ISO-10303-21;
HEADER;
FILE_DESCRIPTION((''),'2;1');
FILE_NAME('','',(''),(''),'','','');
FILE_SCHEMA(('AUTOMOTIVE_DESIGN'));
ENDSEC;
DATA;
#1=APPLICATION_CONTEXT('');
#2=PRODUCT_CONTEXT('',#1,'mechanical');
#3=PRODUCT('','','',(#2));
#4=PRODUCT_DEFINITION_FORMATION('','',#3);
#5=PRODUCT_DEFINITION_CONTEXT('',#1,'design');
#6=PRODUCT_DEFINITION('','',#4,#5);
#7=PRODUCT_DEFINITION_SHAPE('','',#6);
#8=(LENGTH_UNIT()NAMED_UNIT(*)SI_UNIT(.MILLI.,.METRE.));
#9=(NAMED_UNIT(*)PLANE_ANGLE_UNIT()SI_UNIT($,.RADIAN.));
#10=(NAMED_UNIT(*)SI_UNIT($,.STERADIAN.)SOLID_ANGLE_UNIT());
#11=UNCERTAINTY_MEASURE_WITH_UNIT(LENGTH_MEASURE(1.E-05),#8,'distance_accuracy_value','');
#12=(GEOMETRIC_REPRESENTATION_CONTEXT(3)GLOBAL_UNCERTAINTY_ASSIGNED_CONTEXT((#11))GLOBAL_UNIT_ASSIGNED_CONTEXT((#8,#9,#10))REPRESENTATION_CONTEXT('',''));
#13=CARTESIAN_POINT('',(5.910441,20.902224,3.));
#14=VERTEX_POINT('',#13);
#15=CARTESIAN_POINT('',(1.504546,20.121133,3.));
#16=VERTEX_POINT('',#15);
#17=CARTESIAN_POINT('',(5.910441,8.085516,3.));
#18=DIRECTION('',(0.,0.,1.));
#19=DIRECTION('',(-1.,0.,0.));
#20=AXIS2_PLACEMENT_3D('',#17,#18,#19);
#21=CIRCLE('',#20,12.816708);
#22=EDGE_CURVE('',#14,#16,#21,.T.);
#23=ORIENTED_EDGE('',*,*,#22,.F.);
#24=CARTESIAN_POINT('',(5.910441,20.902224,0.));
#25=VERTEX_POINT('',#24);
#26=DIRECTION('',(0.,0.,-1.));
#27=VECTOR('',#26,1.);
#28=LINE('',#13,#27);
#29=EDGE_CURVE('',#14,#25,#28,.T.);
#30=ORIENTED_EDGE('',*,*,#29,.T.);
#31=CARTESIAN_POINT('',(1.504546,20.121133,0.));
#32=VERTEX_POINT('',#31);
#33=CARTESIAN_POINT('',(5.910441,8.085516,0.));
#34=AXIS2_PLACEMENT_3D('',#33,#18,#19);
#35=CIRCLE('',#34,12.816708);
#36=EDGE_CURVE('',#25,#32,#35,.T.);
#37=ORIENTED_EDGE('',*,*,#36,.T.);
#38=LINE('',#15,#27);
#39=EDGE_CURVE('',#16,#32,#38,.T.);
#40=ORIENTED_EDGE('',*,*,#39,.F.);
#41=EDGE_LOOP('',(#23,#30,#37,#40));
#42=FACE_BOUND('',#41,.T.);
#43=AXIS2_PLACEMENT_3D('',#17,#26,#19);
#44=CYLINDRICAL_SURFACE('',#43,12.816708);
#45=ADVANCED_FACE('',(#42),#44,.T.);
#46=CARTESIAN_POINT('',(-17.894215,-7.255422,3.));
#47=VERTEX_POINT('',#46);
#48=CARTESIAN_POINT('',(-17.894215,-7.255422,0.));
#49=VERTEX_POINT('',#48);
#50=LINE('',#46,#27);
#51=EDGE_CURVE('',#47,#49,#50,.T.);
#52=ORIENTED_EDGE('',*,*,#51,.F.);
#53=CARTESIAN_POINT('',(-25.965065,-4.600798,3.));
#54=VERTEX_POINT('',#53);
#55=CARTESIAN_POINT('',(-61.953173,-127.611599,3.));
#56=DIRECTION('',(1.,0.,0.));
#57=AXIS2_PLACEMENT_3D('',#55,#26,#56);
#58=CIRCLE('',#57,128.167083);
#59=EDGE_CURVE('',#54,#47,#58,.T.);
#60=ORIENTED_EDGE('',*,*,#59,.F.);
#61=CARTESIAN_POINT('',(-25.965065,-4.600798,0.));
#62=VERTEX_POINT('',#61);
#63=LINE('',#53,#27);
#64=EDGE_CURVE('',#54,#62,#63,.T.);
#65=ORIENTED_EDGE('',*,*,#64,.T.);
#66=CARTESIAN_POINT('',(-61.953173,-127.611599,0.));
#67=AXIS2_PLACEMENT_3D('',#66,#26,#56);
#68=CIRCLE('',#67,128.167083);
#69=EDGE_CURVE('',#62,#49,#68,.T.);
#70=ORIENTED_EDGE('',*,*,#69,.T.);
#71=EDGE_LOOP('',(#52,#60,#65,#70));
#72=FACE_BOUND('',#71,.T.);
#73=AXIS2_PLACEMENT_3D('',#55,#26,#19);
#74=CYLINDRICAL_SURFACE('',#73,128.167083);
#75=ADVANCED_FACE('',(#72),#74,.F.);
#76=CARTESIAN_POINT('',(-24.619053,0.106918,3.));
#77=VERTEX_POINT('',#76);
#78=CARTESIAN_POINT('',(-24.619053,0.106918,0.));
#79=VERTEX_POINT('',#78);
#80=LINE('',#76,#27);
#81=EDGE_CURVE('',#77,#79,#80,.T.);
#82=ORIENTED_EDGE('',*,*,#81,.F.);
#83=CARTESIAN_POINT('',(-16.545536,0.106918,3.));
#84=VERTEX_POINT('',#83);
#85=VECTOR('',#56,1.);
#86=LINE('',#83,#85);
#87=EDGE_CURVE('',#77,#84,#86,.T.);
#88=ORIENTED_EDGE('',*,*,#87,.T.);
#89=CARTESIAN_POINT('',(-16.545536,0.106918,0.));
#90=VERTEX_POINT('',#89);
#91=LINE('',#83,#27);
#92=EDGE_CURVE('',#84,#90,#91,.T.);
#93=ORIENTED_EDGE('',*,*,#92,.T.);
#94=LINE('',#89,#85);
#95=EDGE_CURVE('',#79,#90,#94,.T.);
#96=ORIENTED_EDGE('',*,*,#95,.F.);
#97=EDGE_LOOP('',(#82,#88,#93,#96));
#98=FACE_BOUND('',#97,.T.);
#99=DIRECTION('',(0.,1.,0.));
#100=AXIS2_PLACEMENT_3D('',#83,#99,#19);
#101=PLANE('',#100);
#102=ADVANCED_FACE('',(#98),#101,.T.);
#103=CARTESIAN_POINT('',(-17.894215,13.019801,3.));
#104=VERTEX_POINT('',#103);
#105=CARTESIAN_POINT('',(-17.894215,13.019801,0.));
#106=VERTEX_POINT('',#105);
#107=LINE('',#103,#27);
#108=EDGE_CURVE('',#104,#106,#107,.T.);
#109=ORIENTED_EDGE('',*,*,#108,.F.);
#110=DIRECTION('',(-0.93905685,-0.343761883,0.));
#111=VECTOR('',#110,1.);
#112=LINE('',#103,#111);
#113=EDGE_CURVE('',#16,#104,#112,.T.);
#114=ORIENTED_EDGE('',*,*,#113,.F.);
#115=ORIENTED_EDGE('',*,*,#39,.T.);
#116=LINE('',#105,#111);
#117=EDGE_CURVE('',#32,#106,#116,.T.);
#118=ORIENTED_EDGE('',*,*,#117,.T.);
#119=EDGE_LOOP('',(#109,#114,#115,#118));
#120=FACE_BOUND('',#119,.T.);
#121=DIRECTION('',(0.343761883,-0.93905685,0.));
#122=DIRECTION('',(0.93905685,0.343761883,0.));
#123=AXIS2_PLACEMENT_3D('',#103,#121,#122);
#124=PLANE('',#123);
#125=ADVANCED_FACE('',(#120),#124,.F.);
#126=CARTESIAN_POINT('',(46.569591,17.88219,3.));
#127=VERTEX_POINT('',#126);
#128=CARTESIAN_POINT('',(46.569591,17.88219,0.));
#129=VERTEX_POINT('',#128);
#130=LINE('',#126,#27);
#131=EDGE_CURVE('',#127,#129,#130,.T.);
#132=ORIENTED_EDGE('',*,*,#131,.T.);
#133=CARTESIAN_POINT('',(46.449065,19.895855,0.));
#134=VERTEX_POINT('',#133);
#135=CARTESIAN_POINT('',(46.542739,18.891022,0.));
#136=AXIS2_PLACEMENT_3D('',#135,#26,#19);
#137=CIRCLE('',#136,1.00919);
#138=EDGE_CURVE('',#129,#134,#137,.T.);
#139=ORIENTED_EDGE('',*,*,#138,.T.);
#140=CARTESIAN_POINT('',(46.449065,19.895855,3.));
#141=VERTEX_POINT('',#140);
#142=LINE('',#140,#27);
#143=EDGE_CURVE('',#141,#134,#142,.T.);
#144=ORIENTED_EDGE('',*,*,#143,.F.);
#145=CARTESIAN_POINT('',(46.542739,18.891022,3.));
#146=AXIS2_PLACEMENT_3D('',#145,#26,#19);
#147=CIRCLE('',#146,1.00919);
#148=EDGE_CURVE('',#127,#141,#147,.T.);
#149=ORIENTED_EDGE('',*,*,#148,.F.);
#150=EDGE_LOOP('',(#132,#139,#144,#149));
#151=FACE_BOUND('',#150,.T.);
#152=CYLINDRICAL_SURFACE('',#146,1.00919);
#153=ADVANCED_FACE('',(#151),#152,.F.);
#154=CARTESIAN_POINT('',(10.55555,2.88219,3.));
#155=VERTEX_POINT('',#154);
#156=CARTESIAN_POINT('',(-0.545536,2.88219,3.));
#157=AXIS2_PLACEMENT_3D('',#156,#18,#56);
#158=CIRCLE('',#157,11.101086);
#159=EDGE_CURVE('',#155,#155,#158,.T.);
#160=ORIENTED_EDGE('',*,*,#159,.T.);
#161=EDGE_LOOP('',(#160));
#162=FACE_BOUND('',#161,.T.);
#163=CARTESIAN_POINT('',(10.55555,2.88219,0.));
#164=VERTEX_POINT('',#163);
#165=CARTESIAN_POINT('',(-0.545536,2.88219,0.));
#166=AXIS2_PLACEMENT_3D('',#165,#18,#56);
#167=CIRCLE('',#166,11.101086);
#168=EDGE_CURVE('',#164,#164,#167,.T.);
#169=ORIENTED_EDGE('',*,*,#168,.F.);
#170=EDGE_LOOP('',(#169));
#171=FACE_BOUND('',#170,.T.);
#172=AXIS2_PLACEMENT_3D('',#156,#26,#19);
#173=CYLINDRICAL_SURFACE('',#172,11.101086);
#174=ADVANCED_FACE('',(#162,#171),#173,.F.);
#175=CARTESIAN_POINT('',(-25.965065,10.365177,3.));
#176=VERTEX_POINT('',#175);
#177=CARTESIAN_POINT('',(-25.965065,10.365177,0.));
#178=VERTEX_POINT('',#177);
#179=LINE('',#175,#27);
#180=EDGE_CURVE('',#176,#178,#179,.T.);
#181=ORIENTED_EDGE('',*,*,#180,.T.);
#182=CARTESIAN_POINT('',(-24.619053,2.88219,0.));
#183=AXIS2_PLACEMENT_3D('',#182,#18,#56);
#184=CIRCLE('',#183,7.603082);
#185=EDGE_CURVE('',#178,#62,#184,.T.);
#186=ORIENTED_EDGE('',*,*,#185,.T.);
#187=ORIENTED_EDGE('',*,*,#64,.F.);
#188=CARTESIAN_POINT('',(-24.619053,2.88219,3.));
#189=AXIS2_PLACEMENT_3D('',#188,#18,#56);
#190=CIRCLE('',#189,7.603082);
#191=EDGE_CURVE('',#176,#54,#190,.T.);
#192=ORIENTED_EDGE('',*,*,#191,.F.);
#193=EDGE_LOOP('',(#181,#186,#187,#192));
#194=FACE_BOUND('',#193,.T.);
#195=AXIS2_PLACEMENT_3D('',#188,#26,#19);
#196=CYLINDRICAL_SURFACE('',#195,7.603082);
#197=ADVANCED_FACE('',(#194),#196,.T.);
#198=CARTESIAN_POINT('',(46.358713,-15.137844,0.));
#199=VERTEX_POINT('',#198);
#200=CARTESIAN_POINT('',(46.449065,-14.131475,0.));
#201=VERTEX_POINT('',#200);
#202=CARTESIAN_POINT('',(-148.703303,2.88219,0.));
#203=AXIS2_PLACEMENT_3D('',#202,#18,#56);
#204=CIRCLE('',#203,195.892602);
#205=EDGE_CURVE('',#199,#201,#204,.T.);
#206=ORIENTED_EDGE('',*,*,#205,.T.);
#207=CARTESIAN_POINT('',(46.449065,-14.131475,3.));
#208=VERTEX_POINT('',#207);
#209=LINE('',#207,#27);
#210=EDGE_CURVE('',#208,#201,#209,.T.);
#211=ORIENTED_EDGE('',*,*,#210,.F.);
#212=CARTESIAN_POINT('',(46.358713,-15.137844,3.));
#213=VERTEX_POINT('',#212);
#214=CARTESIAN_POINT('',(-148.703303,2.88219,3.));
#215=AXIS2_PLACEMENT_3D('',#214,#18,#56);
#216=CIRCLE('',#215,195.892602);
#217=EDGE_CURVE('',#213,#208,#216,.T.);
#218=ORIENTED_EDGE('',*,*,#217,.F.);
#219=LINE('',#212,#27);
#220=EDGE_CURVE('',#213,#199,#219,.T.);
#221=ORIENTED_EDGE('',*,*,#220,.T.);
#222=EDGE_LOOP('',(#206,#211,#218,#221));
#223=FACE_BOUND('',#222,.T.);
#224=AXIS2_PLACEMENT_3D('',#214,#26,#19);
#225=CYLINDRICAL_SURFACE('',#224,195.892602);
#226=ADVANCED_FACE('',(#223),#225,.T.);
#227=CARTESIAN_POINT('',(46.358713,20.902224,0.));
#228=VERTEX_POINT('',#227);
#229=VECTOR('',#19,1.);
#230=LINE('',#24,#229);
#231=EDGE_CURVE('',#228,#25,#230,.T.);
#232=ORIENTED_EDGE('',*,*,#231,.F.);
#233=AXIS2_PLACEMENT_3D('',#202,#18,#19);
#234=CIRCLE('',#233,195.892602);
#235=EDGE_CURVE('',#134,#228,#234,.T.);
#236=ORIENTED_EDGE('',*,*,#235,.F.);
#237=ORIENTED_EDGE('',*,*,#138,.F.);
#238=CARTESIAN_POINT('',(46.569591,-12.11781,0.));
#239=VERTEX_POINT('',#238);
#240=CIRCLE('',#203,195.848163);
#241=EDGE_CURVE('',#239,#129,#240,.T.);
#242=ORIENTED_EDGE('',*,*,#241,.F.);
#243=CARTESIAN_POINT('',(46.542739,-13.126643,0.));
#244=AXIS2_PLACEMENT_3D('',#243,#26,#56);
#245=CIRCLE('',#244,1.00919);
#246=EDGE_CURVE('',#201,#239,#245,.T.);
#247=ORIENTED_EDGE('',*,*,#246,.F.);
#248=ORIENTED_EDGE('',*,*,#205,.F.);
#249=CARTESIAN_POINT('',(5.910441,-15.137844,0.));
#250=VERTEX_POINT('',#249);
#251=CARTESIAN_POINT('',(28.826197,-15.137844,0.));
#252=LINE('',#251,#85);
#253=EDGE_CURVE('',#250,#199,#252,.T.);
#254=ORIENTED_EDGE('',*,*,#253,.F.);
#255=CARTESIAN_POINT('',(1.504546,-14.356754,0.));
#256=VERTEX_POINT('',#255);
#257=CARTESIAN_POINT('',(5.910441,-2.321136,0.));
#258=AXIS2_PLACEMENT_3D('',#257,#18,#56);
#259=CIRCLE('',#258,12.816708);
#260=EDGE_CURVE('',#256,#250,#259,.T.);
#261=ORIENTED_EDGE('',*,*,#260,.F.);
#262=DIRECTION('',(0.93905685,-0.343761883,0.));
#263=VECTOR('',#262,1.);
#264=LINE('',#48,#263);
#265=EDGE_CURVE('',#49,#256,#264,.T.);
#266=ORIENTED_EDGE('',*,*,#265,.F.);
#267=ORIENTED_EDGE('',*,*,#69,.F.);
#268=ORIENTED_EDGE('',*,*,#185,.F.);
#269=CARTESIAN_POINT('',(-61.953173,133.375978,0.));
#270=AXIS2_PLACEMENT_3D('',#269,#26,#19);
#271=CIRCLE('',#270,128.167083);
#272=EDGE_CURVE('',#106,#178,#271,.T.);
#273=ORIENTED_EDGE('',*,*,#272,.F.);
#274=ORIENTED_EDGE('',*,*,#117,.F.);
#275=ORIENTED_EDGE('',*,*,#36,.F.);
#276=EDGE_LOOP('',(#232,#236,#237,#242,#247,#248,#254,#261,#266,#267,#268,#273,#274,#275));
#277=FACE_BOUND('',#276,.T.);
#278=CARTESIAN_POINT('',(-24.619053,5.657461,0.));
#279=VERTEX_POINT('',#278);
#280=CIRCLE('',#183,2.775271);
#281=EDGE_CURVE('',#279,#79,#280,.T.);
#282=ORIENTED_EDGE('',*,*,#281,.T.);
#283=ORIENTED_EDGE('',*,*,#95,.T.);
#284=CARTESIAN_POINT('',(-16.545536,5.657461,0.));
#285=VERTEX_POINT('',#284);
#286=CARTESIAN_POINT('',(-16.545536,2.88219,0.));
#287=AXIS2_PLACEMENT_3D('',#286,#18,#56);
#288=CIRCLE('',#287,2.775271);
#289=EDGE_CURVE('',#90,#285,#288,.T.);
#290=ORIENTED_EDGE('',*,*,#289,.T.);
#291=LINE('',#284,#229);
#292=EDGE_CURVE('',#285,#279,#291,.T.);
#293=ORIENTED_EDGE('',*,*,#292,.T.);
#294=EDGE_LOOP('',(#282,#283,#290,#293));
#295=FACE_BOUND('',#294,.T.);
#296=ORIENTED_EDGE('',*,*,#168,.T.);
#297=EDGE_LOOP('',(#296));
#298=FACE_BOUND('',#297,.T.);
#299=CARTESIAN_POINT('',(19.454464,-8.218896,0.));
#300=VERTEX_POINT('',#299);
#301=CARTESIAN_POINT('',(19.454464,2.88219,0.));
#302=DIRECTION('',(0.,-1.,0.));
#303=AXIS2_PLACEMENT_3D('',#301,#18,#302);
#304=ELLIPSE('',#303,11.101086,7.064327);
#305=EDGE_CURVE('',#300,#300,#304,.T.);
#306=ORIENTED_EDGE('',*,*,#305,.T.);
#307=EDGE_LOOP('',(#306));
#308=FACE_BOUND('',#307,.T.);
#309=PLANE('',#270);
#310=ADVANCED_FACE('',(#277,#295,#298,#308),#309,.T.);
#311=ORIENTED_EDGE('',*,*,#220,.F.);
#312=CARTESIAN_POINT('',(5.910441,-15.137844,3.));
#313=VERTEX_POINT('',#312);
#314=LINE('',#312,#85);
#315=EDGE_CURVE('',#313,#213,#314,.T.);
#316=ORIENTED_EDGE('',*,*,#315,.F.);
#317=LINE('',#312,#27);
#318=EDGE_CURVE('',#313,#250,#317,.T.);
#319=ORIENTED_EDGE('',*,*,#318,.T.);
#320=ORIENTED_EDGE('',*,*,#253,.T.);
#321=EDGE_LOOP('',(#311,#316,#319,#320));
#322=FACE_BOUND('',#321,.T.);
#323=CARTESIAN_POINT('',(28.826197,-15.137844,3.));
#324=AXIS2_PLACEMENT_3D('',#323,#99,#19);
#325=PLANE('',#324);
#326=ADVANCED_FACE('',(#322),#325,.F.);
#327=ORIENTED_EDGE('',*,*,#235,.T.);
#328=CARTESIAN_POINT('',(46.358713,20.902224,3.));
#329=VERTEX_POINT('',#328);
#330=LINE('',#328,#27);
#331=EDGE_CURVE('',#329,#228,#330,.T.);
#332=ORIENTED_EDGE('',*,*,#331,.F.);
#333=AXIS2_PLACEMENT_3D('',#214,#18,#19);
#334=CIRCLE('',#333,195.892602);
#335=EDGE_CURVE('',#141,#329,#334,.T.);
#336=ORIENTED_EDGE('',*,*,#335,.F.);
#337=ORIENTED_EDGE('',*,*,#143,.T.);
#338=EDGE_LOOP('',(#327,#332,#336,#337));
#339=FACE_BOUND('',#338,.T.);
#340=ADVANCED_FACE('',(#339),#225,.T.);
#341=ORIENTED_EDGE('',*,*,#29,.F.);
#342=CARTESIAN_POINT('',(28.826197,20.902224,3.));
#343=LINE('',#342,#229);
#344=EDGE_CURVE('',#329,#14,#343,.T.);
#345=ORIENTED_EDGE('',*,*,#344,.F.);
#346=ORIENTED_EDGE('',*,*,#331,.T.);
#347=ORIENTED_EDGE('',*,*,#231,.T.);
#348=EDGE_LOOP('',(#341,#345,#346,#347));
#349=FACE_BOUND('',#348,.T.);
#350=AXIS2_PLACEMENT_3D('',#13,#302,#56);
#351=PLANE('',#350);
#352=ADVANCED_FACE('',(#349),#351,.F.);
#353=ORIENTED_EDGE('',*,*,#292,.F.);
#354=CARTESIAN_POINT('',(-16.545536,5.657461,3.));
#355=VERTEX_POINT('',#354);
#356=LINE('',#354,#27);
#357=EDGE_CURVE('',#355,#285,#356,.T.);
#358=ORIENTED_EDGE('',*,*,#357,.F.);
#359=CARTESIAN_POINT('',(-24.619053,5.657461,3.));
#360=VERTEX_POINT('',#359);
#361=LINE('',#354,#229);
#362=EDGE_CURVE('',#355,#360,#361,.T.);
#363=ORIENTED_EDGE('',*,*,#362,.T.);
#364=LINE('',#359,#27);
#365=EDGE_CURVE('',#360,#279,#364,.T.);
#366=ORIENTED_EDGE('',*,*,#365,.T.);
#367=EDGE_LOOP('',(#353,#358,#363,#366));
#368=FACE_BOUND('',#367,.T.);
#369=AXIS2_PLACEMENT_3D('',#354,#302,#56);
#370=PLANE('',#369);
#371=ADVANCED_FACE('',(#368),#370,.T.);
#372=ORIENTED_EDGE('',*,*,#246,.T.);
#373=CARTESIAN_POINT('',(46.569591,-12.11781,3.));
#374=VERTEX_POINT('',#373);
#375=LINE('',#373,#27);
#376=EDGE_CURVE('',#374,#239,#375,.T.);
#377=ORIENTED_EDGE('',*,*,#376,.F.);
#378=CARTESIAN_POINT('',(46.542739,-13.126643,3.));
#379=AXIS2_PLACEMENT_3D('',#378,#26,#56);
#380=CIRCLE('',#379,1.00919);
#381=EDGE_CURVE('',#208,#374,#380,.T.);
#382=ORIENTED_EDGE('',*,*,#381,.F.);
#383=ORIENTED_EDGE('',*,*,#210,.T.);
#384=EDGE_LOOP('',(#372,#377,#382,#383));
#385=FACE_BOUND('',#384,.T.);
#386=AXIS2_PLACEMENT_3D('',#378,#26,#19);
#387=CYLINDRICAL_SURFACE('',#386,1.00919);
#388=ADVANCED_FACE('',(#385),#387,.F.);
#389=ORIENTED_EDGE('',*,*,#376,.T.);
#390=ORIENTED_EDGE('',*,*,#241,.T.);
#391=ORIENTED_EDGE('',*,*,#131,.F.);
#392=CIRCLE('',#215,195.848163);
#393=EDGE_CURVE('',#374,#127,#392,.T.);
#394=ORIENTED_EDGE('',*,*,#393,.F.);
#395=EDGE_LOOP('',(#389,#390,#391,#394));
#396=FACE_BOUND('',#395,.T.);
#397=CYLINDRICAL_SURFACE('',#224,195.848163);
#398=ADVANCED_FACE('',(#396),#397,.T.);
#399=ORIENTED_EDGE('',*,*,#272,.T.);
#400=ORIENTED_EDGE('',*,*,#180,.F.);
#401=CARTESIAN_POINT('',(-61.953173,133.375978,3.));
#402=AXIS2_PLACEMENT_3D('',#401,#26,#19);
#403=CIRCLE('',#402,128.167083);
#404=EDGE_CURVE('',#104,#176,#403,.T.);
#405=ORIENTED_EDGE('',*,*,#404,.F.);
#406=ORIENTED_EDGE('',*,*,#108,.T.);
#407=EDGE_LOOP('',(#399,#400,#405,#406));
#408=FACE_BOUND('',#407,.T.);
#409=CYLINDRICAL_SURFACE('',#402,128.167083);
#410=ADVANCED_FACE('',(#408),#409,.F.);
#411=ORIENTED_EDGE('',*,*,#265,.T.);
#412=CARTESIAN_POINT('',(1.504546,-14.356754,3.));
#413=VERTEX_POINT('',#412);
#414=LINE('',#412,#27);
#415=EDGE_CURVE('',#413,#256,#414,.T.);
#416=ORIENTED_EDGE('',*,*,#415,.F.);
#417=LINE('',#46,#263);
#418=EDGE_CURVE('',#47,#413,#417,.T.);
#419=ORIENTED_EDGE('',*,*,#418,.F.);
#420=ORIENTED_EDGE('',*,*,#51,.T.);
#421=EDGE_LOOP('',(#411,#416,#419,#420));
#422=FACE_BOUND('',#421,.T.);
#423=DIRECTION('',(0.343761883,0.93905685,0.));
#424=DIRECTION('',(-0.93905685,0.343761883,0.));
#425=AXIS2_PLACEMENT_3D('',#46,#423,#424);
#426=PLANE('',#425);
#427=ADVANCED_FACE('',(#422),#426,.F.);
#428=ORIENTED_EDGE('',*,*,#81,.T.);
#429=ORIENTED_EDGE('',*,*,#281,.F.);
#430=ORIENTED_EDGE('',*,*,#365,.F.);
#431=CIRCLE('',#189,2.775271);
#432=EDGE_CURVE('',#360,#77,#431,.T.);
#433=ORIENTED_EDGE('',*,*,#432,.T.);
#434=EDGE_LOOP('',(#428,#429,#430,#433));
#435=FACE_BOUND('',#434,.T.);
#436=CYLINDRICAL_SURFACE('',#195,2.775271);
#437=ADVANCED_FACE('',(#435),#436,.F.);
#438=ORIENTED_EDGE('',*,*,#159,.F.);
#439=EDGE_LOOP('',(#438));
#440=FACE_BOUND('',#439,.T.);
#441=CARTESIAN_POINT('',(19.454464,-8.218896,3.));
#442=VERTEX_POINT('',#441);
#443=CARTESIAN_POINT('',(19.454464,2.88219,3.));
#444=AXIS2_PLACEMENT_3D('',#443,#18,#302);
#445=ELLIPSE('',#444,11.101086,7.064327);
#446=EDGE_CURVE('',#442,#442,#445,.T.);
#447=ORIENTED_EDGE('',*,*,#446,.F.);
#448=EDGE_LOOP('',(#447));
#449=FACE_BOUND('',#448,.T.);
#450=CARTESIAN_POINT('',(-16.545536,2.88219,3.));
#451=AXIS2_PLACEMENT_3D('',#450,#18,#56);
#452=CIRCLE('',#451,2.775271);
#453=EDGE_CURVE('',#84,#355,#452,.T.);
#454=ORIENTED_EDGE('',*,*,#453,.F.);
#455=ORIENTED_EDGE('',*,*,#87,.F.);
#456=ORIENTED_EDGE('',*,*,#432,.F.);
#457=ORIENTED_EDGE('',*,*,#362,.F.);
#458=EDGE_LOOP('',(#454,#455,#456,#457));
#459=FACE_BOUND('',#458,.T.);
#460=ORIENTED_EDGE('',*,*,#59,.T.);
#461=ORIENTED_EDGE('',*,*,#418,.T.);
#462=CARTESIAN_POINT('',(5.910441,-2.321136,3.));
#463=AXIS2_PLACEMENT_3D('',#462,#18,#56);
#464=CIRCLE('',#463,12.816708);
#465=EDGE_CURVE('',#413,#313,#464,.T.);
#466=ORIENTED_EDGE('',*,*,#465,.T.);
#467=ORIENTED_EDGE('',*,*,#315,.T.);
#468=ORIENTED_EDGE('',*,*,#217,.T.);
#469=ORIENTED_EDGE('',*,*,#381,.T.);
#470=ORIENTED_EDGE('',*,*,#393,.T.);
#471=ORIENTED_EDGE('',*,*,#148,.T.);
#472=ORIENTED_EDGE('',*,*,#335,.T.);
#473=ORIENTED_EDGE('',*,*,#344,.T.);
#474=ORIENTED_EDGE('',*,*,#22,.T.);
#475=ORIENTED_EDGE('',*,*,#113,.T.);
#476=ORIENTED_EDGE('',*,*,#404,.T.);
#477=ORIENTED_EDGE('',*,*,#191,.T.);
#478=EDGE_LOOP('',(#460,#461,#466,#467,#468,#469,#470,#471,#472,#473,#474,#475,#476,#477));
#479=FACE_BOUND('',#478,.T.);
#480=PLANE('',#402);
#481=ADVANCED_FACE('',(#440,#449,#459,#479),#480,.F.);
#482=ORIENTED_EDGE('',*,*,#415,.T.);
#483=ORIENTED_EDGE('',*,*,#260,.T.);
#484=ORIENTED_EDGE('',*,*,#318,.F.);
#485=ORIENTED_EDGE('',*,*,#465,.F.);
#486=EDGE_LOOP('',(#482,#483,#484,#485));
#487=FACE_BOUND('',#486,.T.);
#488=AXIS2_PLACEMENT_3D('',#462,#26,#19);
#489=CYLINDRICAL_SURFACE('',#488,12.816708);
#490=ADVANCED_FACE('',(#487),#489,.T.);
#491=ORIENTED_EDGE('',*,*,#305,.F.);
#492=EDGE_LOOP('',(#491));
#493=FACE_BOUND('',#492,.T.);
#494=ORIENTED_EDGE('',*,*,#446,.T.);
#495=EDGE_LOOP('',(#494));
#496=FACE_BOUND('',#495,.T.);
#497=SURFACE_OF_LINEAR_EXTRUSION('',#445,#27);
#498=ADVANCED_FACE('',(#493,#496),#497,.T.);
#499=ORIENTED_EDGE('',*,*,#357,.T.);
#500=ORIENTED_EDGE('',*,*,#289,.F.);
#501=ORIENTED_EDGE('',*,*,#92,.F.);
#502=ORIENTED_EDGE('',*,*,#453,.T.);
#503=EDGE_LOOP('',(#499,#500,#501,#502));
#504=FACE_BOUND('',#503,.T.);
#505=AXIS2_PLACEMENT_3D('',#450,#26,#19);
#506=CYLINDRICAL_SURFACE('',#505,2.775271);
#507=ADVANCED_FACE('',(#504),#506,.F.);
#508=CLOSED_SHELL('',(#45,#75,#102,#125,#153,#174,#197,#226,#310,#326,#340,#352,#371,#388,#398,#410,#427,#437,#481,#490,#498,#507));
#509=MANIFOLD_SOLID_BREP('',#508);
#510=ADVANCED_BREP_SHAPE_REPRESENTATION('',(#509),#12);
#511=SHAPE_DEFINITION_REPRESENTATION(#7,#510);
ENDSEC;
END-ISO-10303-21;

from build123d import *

# Parameters (mm, degrees)
SKETCH1_R           = 11.1010859
SKETCH1_RX          = 11.1010859
SKETCH1_RY          = 7.064327391
BOSS_EXTRUDE1_DEPTH = 3


with BuildPart() as part:
    # Sketch1 → Boss-Extrude1 (new body)
    with BuildSketch(Plane.XY):
        with BuildLine():
            Line((-17.894214973, -7.255421854), (1.504545567, -14.356753838))
            ThreePointArc((1.504545567, -14.356753838), (3.673142738, -14.941061094), (5.91044133, -15.137844409))
            Line((5.91044133, -15.137844409), (28.826197236, -15.137844409))
            Line((28.826197236, -15.137844409), (46.358712744, -15.137844409))
            ThreePointArc((46.358712744, -15.137844409), (46.404537835, -14.634718136), (46.449065208, -14.131475353))
            ThreePointArc((46.449065208, -14.131475353), (45.733406698, -13.729506595), (45.553147083, -12.928724192))
            ThreePointArc((45.553147083, -12.928724192), (45.913364237, -12.337750174), (46.569590651, -12.117810222))
            ThreePointArc((46.569590651, -12.117810222), (47.144860113, 2.882189778), (46.569590651, 17.882189778))
            ThreePointArc((46.569590651, 17.882189778), (45.913364237, 18.102129729), (45.553147083, 18.693103748))
            ThreePointArc((45.553147083, 18.693103748), (45.733406698, 19.49388615), (46.449065208, 19.895854908))
            ThreePointArc((46.449065208, 19.895854908), (46.404537835, 20.399097691), (46.358712744, 20.902223964))
            Line((46.358712744, 20.902223964), (28.826197236, 20.902223964))
            Line((28.826197236, 20.902223964), (5.91044133, 20.902223964))
            ThreePointArc((5.91044133, 20.902223964), (3.673142738, 20.70544065), (1.504545567, 20.121133393))
            Line((1.504545567, 20.121133393), (-17.894214973, 13.019801409))
            ThreePointArc((-17.894214973, 13.019801409), (-21.907637047, 11.625593721), (-25.965065064, 10.365177235))
            ThreePointArc((-25.965065064, 10.365177235), (-32.222134734, 2.882189778), (-25.965065064, -4.60079768))
            ThreePointArc((-25.965065064, -4.60079768), (-21.907637047, -5.861214166), (-17.894214973, -7.255421854))
        make_face()
        with Locations((-0.54553615, 2.882189778)):
            Circle(SKETCH1_R, mode=Mode.SUBTRACT)
        with Locations(Location((19.45446385, 2.882189778), (0, 0, -90))):
            Ellipse(SKETCH1_RX, SKETCH1_RY, mode=Mode.SUBTRACT)
        with BuildLine():
            Line((-16.54553615, 0.106918303), (-24.619053168, 0.106918303))
            ThreePointArc((-24.619053168, 0.106918303), (-27.394324643, 2.882189778), (-24.619053168, 5.657461252))
            Line((-24.619053168, 5.657461252), (-16.54553615, 5.657461252))
            ThreePointArc((-16.54553615, 5.657461252), (-13.770264675, 2.882189778), (-16.54553615, 0.106918303))
        make_face(mode=Mode.SUBTRACT)
    extrude(amount=BOSS_EXTRUDE1_DEPTH)


solid = part.part
